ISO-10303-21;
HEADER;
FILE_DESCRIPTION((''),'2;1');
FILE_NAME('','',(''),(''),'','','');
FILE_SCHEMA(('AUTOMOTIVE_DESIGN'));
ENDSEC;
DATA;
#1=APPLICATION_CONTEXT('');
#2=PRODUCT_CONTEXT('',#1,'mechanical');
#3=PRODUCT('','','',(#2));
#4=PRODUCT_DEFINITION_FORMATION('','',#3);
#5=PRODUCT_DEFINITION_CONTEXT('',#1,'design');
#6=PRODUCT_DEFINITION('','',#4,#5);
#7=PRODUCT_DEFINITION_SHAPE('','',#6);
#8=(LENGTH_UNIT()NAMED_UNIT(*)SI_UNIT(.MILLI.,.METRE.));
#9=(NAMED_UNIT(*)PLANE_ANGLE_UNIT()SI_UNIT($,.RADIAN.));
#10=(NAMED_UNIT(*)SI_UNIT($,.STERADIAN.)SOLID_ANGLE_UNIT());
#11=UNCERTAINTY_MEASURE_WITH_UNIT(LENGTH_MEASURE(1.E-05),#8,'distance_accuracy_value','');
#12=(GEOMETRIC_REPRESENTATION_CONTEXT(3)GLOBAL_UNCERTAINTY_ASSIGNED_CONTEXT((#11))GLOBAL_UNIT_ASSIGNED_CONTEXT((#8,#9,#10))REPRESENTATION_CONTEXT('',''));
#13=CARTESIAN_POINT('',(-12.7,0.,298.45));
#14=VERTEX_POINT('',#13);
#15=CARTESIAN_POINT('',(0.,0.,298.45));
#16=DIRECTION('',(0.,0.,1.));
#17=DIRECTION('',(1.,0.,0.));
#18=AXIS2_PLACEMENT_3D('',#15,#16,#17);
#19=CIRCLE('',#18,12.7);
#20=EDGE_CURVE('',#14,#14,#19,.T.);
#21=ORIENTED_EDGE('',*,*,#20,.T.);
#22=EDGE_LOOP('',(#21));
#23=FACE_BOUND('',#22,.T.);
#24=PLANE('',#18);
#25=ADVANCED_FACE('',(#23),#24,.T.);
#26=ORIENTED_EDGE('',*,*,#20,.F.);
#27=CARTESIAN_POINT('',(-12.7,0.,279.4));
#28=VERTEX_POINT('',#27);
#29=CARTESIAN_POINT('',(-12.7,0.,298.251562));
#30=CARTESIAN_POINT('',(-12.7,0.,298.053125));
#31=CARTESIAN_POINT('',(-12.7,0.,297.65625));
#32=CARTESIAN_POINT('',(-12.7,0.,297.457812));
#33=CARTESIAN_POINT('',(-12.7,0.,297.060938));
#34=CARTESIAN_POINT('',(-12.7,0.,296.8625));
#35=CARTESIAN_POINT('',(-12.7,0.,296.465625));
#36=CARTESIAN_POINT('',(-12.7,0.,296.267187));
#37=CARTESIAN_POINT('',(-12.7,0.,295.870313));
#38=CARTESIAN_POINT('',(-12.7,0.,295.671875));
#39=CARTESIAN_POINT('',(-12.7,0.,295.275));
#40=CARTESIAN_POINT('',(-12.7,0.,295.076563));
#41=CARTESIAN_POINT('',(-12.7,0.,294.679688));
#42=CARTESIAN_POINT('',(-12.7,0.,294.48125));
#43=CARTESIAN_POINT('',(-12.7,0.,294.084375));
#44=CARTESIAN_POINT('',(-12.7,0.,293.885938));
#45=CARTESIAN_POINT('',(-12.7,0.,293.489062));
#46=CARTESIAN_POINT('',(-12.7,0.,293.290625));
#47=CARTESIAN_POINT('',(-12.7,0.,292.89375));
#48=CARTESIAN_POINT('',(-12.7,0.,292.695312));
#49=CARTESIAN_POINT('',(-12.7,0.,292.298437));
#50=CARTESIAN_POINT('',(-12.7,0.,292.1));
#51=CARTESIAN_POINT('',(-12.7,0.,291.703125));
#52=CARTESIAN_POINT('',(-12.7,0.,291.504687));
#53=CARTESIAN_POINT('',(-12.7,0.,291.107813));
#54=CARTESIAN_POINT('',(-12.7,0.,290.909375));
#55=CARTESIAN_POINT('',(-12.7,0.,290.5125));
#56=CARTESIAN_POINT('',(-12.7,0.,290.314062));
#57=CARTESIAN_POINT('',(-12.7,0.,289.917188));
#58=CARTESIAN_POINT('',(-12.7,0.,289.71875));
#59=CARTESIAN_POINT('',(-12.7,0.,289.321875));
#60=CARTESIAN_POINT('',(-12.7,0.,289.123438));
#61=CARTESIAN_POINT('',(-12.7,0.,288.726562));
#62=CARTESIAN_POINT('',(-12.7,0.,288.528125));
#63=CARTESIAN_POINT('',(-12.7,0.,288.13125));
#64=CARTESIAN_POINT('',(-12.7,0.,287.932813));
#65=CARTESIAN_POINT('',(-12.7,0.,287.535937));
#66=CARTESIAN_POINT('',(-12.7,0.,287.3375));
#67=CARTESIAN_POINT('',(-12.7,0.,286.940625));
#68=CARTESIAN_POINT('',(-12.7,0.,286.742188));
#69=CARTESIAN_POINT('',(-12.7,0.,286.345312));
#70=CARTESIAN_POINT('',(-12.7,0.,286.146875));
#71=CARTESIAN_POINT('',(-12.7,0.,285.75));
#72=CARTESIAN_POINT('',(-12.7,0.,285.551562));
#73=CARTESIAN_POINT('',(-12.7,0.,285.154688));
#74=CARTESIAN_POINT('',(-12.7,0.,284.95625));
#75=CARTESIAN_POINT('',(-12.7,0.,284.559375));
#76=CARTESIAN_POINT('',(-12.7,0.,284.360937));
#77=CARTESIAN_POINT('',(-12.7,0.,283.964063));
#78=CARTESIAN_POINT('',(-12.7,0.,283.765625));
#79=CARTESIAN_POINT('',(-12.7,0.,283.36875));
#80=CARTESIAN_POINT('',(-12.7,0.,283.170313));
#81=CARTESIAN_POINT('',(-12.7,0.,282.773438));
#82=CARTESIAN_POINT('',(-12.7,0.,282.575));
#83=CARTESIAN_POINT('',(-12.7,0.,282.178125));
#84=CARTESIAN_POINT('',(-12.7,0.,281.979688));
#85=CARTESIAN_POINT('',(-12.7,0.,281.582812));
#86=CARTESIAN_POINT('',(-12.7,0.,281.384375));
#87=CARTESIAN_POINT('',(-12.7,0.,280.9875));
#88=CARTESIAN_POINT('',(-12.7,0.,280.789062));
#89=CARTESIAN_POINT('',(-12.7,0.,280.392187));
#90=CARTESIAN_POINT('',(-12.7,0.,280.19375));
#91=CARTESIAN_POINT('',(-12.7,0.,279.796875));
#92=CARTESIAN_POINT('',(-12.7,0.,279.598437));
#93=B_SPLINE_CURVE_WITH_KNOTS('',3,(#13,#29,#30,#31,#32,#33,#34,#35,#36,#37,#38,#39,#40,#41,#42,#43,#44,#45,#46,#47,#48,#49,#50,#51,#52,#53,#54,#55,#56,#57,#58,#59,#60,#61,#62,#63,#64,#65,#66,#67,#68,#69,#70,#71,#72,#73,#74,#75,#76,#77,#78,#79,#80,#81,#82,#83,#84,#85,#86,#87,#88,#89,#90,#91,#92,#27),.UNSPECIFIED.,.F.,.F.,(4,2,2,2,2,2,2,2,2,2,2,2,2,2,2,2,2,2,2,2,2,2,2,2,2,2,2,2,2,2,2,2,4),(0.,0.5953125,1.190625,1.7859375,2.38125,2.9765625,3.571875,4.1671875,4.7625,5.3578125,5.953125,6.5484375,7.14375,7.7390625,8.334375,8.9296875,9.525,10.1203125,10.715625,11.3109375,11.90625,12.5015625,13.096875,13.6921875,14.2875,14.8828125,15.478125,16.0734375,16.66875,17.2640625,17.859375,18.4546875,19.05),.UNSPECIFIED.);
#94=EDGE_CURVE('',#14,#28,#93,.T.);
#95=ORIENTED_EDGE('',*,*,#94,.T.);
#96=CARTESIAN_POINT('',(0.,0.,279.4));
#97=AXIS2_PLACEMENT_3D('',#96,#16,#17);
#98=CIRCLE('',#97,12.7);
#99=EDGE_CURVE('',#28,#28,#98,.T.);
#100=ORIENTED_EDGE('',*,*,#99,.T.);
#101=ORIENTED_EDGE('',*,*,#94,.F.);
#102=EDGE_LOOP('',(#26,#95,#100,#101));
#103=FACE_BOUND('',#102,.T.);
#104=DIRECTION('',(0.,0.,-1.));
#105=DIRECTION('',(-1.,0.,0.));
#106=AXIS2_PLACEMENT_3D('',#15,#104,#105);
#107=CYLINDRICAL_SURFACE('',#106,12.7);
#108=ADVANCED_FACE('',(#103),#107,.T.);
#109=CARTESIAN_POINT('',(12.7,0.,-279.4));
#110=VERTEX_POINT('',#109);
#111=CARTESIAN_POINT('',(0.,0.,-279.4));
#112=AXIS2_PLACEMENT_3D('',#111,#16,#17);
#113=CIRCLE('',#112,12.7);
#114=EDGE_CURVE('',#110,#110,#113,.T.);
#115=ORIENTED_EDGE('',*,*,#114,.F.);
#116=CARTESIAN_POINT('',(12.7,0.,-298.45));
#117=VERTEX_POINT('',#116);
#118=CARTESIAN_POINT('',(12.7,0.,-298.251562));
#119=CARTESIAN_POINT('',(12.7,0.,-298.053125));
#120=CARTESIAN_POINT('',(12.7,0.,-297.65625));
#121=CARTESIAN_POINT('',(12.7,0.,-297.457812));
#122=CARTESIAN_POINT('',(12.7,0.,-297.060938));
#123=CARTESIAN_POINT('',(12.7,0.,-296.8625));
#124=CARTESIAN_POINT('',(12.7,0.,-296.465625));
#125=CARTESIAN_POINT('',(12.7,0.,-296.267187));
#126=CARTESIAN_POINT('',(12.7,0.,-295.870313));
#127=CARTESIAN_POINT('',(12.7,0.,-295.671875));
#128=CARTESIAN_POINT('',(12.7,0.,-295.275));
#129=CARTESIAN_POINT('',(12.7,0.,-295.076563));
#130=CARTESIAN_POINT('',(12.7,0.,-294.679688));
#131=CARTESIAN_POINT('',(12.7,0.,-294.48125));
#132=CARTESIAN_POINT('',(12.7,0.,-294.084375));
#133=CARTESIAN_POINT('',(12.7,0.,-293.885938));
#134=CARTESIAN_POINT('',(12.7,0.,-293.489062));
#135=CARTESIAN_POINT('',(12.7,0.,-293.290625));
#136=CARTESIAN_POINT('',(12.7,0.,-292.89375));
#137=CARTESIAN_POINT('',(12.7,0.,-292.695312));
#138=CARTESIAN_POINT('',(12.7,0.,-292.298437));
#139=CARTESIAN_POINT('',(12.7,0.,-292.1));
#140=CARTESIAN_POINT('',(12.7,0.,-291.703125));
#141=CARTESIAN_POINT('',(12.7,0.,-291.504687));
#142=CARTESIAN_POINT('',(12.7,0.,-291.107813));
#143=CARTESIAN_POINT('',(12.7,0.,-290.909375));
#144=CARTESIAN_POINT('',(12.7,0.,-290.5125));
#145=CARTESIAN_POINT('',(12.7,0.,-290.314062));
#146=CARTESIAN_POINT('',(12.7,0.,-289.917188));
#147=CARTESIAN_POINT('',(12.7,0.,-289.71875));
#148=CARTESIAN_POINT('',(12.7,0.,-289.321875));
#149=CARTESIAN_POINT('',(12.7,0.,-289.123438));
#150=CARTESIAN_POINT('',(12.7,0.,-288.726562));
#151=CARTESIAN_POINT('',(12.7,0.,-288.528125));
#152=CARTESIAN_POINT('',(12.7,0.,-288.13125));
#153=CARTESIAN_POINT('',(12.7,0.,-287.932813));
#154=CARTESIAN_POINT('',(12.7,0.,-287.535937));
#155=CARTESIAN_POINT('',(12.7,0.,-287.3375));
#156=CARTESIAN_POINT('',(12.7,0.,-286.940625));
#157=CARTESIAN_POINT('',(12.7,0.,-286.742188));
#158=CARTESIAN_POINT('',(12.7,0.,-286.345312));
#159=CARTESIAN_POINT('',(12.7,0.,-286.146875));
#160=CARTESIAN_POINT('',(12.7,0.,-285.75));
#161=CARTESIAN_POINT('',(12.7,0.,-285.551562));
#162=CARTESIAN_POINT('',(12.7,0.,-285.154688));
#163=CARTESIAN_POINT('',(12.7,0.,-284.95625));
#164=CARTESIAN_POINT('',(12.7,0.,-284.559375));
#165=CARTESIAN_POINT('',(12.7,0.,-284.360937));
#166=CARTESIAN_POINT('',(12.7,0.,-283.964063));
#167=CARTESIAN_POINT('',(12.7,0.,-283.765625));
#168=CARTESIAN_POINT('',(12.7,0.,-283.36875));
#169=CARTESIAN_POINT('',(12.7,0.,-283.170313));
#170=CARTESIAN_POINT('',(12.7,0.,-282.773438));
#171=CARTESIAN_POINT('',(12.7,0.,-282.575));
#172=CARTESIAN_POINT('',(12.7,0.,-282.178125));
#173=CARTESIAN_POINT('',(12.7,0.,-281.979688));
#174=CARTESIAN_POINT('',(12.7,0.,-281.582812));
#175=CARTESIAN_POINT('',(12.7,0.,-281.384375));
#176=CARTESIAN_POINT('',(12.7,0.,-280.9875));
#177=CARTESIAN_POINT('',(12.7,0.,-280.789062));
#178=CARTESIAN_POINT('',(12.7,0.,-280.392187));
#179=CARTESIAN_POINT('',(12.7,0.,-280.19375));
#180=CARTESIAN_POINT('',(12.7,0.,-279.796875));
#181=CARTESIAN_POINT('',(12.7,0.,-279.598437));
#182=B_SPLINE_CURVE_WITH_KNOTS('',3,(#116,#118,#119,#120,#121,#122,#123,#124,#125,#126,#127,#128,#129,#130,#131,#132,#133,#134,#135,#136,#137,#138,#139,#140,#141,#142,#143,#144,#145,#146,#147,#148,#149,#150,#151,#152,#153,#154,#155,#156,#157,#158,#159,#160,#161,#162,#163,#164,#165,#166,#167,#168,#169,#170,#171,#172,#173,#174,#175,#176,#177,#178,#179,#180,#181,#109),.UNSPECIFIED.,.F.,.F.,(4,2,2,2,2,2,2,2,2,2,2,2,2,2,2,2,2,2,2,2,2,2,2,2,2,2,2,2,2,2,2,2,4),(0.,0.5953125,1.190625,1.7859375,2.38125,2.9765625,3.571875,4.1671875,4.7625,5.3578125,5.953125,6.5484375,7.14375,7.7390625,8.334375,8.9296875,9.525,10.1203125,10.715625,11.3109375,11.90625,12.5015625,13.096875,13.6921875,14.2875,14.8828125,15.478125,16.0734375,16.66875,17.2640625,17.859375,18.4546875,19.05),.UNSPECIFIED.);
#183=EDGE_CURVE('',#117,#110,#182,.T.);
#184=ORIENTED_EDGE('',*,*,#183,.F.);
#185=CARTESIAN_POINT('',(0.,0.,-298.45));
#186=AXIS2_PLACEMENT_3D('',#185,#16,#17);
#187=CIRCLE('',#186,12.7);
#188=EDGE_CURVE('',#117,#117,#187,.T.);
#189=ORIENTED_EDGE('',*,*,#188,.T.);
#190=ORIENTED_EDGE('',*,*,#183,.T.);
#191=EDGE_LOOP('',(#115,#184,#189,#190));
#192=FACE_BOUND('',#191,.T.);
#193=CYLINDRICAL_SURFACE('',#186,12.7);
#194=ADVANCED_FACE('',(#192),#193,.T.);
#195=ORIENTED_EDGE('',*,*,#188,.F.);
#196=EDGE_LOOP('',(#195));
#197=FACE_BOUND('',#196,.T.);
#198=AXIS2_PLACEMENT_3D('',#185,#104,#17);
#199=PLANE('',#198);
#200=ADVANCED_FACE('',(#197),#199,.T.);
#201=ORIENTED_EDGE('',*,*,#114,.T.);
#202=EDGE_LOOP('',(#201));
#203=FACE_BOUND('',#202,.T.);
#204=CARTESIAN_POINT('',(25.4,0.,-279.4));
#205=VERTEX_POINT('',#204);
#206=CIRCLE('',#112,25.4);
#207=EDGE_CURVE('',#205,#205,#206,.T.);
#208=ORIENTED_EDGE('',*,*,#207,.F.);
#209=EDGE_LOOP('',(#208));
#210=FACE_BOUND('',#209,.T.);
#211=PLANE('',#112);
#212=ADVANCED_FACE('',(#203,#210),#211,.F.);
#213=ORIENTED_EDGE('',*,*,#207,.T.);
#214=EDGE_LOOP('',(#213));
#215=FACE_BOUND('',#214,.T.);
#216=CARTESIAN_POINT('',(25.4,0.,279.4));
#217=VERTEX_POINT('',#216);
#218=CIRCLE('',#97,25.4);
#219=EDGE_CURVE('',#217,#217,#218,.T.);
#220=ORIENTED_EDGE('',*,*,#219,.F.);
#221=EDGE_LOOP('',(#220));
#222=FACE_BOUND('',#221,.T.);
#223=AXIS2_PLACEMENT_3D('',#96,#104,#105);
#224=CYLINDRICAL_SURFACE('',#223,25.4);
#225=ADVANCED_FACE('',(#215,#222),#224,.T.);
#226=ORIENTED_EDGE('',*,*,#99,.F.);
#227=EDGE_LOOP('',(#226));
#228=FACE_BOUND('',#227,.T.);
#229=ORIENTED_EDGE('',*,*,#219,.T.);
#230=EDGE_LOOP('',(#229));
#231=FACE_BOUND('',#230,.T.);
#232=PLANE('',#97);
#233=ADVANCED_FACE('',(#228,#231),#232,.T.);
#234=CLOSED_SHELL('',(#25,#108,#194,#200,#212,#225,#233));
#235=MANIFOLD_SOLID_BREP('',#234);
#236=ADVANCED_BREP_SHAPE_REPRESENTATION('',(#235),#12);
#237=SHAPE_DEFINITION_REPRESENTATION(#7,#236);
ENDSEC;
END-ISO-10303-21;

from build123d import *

# Parameters (mm, degrees)
SKETCH1_R           = 25.4
BASE_EXTRUDE_DEPTH  = 279.4
SKETCH2_R           = 12.7
BOSS_EXTRUDE1_DEPTH = 19.05


with BuildPart() as part:
    # Sketch1 → Base-Extrude (new, symmetric)
    with BuildSketch(Plane.XY):
        Circle(SKETCH1_R)
    extrude(amount=BASE_EXTRUDE_DEPTH, both=True)

    # Sketch2 → Boss-Extrude1 (add)
    with BuildSketch(Plane.XY.offset(279.4)):
        with Locations(Location((0, 0, 0), (0, 0, 180))):
            Circle(SKETCH2_R)
    boss_extrude1 = extrude(amount=BOSS_EXTRUDE1_DEPTH)

    # Mirror1: Boss-Extrude1 across plane
    add(boss_extrude1.mirror(Plane.XY))


solid = part.part
